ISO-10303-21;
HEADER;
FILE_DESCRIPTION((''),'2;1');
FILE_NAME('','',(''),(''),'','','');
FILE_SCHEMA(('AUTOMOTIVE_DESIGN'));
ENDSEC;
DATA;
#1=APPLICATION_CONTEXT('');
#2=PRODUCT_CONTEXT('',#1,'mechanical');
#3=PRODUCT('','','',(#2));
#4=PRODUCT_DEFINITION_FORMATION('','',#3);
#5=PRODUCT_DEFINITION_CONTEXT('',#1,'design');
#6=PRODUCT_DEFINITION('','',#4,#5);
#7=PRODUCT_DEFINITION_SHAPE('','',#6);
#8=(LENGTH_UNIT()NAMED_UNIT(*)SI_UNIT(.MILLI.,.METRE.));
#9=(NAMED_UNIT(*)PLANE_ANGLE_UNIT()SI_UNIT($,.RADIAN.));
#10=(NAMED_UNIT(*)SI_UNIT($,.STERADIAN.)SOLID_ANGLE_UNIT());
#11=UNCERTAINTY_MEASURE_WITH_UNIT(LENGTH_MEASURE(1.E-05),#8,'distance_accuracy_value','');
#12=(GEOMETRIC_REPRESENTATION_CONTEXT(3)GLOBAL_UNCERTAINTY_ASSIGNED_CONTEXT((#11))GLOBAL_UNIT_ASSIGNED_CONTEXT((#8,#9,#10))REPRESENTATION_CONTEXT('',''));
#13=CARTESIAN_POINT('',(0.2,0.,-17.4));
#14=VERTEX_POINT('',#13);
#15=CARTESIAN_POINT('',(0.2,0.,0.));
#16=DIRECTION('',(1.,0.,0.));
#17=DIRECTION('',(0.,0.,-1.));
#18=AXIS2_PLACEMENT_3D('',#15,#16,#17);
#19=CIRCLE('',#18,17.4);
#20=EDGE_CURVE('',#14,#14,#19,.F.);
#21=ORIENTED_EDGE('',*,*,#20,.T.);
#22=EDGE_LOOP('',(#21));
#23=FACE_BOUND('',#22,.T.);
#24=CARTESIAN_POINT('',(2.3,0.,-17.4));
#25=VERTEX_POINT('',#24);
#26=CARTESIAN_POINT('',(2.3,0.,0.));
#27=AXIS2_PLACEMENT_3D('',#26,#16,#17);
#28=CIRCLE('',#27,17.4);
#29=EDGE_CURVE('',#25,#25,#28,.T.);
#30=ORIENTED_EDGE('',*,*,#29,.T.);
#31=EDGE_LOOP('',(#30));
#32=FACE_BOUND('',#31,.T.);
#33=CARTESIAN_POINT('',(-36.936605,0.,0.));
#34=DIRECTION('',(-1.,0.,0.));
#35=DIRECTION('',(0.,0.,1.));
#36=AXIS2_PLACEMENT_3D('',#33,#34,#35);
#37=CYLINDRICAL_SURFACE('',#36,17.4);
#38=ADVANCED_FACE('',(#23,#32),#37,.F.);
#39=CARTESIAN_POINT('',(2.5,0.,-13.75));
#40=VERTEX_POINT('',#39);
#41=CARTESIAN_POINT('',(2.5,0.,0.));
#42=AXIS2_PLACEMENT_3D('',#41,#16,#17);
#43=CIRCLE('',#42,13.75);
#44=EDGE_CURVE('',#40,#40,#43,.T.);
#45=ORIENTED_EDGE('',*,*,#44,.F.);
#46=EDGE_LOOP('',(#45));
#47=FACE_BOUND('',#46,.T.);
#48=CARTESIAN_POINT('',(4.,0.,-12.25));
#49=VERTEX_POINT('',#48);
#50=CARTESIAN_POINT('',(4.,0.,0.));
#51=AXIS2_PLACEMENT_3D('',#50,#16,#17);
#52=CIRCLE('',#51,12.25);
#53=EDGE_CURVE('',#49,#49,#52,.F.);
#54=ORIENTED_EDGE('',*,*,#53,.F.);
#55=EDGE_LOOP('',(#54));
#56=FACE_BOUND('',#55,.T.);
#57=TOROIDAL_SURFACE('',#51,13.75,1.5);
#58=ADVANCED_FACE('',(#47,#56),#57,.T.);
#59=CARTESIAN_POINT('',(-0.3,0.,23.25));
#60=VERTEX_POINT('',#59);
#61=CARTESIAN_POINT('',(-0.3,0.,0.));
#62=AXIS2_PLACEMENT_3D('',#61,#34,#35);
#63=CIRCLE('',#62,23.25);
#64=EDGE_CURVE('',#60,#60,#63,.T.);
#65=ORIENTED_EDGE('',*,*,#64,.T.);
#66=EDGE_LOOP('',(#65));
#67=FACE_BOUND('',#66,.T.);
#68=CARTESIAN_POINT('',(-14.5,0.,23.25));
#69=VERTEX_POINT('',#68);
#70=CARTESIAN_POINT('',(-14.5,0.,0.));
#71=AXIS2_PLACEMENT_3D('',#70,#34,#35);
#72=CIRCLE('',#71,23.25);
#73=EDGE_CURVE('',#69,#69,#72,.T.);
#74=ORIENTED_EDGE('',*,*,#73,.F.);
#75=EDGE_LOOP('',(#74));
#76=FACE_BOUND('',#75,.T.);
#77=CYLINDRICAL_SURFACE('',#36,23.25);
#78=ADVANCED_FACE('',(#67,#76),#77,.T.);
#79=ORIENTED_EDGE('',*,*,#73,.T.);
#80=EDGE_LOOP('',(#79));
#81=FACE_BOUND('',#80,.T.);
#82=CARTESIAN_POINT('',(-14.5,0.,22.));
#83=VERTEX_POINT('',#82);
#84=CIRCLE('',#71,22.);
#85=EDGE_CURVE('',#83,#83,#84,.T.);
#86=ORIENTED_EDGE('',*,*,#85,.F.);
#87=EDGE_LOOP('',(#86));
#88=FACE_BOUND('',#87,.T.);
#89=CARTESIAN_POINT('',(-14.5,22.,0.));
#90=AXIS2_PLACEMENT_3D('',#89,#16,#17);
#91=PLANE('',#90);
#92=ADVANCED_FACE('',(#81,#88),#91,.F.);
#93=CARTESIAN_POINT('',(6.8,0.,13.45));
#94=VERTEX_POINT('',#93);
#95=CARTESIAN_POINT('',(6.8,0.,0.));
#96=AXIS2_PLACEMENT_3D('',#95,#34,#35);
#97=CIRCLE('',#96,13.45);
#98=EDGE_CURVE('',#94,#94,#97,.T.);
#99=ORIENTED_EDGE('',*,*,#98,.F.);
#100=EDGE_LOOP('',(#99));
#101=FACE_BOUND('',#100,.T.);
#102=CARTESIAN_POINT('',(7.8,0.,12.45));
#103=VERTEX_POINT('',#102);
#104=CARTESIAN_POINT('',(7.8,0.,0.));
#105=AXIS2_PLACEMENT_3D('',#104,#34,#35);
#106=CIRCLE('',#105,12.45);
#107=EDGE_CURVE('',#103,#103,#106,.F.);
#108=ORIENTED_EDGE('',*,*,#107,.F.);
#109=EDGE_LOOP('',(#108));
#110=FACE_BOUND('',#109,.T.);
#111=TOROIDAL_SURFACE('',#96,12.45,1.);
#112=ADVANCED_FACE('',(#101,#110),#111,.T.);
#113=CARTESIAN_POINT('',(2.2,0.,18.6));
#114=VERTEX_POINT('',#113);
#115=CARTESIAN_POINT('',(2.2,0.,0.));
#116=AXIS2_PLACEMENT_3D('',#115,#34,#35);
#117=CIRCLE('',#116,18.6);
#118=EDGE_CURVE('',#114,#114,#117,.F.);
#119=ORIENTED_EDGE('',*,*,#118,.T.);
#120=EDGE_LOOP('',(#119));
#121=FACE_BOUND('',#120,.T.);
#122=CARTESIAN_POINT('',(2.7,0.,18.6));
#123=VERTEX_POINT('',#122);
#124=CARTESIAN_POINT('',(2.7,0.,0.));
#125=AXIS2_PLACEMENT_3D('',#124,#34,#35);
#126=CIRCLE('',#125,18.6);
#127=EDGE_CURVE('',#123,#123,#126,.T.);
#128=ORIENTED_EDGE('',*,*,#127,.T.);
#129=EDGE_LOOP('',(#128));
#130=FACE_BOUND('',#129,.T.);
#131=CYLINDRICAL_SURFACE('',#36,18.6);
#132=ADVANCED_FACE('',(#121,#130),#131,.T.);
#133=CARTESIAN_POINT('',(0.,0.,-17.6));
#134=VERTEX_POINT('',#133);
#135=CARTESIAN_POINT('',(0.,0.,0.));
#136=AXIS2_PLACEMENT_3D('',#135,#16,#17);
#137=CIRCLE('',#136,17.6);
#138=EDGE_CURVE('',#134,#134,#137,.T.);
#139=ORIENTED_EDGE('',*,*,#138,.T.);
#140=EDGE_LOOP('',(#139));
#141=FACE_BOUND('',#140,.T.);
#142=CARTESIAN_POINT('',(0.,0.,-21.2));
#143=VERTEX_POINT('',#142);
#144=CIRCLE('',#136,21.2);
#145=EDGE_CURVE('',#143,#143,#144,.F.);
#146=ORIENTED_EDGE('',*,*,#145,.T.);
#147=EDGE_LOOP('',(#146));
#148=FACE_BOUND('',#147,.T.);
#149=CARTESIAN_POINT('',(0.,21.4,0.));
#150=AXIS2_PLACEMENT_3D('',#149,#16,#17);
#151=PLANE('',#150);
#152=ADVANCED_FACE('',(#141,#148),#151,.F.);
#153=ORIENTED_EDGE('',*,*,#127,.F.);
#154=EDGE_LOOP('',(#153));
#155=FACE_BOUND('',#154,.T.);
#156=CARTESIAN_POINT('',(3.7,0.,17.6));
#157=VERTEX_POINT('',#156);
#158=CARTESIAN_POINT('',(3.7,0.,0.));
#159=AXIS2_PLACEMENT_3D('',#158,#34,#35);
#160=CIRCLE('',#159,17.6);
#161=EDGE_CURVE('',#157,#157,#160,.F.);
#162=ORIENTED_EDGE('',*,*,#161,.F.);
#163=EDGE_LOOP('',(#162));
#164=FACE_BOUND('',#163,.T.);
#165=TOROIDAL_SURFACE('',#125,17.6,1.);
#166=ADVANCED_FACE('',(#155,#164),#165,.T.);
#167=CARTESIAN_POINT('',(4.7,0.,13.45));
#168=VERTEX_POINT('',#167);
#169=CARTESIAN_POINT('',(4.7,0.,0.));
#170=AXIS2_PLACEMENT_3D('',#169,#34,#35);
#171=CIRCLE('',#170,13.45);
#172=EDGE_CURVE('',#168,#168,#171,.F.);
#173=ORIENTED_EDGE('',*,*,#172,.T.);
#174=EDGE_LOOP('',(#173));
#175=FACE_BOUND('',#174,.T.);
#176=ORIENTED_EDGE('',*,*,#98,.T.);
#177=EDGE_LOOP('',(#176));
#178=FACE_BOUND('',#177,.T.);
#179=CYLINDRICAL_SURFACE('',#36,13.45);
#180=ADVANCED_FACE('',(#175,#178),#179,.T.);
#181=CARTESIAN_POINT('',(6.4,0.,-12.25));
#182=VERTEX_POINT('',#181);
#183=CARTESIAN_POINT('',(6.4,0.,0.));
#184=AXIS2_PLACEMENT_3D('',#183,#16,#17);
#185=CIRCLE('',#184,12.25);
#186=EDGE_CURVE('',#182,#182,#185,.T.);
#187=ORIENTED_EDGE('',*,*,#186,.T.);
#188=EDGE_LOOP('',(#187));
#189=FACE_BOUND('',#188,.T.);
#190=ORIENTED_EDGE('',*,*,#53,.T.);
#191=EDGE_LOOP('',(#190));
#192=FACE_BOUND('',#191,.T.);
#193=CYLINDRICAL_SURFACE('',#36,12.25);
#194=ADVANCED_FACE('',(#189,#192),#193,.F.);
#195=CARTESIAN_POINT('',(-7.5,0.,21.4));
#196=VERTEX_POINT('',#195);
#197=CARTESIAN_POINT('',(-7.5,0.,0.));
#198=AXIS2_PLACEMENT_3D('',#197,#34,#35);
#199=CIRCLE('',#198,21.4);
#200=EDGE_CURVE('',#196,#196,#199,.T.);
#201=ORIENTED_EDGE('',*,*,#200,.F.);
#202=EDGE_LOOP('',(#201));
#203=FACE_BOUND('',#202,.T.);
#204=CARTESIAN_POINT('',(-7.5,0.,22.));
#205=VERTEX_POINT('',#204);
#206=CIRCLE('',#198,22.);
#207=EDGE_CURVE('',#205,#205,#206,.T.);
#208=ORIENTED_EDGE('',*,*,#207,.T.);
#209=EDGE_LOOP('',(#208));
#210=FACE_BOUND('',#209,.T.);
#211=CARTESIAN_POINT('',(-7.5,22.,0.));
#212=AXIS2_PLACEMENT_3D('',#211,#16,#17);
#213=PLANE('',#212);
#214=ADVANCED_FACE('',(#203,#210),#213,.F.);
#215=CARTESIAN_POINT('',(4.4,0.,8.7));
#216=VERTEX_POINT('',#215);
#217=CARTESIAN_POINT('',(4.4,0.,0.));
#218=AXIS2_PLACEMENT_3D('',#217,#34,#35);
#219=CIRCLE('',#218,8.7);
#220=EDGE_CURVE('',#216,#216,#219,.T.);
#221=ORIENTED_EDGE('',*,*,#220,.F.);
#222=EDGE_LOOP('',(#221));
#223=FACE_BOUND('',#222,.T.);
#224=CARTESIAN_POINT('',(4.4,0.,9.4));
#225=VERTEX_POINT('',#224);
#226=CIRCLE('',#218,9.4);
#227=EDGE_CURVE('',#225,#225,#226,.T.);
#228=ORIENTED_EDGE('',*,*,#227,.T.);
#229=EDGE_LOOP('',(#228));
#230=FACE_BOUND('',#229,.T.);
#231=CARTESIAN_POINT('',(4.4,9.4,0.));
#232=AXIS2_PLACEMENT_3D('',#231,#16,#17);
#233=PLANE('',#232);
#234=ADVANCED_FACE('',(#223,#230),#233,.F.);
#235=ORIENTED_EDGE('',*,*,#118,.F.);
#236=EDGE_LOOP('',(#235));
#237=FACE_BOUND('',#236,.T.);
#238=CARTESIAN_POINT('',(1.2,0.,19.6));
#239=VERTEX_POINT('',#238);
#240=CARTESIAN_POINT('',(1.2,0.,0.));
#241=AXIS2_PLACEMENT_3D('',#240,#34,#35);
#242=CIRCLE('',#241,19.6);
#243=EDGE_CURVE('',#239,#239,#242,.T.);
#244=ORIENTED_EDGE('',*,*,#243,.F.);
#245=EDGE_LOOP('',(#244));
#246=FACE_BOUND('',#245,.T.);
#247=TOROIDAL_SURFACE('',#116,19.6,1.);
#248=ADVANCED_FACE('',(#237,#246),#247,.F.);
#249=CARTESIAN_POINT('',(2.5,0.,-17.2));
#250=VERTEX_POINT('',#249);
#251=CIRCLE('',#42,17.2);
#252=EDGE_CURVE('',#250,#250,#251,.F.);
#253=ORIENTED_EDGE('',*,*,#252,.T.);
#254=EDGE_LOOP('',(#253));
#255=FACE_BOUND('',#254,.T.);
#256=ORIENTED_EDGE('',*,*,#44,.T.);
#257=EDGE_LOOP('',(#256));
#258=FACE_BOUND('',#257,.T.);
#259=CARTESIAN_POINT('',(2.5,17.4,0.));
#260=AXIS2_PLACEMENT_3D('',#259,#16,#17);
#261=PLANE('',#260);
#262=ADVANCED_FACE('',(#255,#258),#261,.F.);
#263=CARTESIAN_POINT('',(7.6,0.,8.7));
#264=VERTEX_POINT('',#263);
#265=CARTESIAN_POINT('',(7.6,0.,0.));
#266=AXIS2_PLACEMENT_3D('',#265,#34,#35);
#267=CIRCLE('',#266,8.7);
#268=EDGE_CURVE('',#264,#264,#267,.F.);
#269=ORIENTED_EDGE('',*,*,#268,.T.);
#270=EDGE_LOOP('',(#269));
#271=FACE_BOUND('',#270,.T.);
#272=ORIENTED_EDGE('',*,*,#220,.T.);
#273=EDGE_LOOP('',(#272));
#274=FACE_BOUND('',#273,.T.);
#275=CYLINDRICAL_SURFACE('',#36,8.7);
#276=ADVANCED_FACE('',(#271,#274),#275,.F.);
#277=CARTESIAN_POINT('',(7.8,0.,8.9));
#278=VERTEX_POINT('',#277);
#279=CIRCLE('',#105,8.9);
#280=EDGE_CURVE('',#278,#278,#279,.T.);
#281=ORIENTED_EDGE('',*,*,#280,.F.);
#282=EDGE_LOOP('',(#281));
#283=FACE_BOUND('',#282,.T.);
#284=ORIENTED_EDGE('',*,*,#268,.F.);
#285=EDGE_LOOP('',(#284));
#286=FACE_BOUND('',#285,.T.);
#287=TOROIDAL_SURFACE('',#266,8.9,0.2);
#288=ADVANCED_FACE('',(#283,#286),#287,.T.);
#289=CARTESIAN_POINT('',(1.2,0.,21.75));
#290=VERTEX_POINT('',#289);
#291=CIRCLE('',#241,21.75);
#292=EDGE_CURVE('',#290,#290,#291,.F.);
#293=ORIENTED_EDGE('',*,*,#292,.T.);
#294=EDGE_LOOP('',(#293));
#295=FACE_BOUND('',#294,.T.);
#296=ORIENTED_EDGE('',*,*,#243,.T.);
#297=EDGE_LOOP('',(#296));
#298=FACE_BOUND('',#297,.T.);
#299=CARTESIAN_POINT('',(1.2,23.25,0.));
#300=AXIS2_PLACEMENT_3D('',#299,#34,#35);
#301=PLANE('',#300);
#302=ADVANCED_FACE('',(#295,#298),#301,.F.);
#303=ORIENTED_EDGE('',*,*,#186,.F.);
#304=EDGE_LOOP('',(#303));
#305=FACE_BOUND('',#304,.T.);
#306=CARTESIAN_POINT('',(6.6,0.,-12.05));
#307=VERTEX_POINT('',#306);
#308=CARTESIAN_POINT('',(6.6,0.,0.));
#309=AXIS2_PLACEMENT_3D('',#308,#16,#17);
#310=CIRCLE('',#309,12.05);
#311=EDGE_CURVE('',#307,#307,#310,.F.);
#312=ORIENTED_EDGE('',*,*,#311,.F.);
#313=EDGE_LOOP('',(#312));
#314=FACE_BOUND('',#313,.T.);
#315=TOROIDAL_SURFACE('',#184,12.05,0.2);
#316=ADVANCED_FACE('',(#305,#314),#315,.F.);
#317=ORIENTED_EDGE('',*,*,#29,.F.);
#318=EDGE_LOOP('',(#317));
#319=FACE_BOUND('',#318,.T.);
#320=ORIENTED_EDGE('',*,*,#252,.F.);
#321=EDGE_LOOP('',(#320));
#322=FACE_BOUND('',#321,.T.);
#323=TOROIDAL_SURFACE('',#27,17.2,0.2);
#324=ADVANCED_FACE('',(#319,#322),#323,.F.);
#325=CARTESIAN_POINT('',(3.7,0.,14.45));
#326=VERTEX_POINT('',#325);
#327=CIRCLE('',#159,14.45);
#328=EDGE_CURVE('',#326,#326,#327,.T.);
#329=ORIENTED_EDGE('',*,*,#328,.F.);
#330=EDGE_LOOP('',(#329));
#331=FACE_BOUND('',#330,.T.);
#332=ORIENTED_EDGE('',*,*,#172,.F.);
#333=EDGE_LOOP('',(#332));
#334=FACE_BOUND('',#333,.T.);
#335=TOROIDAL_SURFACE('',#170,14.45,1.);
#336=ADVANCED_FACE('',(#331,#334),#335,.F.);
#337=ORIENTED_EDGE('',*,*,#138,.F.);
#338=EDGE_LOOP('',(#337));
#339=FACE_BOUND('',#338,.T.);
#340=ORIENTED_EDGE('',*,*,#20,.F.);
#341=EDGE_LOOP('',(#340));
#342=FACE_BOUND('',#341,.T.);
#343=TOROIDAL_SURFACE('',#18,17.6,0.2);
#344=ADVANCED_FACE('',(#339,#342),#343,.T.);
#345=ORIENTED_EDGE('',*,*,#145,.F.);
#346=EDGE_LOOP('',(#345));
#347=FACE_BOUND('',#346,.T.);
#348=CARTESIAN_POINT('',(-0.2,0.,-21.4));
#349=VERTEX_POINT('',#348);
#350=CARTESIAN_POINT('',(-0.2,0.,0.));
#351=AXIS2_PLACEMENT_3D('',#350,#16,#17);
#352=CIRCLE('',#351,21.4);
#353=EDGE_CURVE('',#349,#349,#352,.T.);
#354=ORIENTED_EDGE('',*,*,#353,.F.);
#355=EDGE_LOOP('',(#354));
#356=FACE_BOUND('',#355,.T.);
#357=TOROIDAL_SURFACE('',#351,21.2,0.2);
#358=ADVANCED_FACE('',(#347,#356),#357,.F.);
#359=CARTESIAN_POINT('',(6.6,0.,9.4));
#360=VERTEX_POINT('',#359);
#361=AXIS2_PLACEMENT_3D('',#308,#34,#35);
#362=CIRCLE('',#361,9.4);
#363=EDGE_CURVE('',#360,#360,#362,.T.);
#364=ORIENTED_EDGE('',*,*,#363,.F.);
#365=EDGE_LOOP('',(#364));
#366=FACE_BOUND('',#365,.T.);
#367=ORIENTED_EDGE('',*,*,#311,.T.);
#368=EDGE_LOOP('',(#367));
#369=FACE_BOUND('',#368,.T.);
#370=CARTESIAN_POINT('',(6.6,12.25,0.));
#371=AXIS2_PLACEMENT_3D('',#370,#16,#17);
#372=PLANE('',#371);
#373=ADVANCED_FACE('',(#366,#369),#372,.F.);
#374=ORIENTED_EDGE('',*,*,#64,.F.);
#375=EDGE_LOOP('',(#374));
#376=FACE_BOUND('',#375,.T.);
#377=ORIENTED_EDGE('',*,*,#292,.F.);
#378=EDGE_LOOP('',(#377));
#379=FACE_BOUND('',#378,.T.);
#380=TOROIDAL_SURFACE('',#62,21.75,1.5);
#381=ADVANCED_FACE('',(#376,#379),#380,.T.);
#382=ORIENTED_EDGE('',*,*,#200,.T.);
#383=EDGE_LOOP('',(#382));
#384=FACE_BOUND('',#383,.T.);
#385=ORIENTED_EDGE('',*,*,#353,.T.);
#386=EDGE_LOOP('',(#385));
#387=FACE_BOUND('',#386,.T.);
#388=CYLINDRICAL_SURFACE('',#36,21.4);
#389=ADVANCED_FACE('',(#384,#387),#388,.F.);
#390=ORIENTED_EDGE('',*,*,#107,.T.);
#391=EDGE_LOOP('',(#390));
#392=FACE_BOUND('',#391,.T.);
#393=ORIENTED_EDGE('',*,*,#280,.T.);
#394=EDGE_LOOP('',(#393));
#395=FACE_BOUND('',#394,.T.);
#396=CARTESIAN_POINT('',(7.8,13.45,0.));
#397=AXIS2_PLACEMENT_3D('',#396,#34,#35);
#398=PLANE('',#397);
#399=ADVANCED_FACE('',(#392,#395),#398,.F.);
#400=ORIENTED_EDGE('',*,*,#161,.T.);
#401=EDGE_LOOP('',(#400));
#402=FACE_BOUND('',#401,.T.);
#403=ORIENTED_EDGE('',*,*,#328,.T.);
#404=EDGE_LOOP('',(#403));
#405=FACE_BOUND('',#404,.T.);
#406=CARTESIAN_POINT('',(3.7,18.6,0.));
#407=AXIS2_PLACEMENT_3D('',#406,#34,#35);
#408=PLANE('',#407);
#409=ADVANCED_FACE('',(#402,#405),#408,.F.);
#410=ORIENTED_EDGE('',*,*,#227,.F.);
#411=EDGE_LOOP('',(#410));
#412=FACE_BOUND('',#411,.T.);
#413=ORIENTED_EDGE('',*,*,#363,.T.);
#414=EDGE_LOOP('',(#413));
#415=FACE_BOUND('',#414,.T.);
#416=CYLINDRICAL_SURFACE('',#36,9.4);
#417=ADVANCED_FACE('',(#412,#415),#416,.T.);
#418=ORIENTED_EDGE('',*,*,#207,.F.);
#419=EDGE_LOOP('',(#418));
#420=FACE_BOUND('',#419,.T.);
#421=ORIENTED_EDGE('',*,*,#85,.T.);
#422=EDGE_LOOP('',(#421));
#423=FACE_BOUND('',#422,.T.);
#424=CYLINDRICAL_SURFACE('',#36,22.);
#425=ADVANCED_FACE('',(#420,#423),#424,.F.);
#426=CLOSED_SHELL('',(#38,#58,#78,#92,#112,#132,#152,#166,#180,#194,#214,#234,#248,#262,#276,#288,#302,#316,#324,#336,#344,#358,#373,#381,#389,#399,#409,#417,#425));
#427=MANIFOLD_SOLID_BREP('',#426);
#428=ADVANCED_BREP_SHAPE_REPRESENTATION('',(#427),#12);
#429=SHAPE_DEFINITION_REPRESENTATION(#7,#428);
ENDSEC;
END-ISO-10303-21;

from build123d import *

# Parameters (mm, degrees)
FILLET_1_R = 0.2
FILLET_2_R = 1
FILLET_3_R = 1.5


with BuildPart() as part:
    # 草图2 → 旋转1 (revolve)
    with BuildSketch(Plane.XY, mode=Mode.PRIVATE) as revolve_1_sk:
        Polygon((-14.5, 22), (-7.5, 22), (-7.5, 21.4), (0, 21.4), (0, 17.4), (2.5, 17.4), (2.5, 12.25), (6.6, 12.25), (6.6, 9.4), (4.4, 9.4), (4.4, 8.7), (7.8, 8.7), (7.8, 13.45), (3.7, 13.45), (3.7, 18.6), (1.2, 18.6), (1.2, 23.25), (-14.5, 23.25), align=None)
    revolve(revolve_1_sk.sketch.rotate(Axis((-36.936605317, 0, 0), (1, 0, 0)), 90), axis=Axis((-36.936605317, 0, 0), (1, 0, 0)))

    # 圆角1
    fillet_1_edges = [part.edges().sort_by_distance(p)[0] for p in [
        (0, 0, -21.4),
        (0, 0, -17.4),
        (2.5, 0, -17.4),
        (6.6, 0, -12.25),
        (7.8, 0, -8.7),
    ]]
    fillet(fillet_1_edges, radius=FILLET_1_R)

    # 圆角2
    fillet_2_edges = [part.edges().sort_by_distance(p)[0] for p in [
        (7.8, 0, -13.45),
        (3.7, 0, -13.45),
        (3.7, 0, -18.6),
        (1.2, 0, -18.6),
    ]]
    fillet(fillet_2_edges, radius=FILLET_2_R)

    # 圆角3
    fillet_3_edges = [part.edges().sort_by_distance(p)[0] for p in [
        (2.5, 0, -12.25),
        (1.2, 0, -23.25),
    ]]
    fillet(fillet_3_edges, radius=FILLET_3_R)


solid = part.part
